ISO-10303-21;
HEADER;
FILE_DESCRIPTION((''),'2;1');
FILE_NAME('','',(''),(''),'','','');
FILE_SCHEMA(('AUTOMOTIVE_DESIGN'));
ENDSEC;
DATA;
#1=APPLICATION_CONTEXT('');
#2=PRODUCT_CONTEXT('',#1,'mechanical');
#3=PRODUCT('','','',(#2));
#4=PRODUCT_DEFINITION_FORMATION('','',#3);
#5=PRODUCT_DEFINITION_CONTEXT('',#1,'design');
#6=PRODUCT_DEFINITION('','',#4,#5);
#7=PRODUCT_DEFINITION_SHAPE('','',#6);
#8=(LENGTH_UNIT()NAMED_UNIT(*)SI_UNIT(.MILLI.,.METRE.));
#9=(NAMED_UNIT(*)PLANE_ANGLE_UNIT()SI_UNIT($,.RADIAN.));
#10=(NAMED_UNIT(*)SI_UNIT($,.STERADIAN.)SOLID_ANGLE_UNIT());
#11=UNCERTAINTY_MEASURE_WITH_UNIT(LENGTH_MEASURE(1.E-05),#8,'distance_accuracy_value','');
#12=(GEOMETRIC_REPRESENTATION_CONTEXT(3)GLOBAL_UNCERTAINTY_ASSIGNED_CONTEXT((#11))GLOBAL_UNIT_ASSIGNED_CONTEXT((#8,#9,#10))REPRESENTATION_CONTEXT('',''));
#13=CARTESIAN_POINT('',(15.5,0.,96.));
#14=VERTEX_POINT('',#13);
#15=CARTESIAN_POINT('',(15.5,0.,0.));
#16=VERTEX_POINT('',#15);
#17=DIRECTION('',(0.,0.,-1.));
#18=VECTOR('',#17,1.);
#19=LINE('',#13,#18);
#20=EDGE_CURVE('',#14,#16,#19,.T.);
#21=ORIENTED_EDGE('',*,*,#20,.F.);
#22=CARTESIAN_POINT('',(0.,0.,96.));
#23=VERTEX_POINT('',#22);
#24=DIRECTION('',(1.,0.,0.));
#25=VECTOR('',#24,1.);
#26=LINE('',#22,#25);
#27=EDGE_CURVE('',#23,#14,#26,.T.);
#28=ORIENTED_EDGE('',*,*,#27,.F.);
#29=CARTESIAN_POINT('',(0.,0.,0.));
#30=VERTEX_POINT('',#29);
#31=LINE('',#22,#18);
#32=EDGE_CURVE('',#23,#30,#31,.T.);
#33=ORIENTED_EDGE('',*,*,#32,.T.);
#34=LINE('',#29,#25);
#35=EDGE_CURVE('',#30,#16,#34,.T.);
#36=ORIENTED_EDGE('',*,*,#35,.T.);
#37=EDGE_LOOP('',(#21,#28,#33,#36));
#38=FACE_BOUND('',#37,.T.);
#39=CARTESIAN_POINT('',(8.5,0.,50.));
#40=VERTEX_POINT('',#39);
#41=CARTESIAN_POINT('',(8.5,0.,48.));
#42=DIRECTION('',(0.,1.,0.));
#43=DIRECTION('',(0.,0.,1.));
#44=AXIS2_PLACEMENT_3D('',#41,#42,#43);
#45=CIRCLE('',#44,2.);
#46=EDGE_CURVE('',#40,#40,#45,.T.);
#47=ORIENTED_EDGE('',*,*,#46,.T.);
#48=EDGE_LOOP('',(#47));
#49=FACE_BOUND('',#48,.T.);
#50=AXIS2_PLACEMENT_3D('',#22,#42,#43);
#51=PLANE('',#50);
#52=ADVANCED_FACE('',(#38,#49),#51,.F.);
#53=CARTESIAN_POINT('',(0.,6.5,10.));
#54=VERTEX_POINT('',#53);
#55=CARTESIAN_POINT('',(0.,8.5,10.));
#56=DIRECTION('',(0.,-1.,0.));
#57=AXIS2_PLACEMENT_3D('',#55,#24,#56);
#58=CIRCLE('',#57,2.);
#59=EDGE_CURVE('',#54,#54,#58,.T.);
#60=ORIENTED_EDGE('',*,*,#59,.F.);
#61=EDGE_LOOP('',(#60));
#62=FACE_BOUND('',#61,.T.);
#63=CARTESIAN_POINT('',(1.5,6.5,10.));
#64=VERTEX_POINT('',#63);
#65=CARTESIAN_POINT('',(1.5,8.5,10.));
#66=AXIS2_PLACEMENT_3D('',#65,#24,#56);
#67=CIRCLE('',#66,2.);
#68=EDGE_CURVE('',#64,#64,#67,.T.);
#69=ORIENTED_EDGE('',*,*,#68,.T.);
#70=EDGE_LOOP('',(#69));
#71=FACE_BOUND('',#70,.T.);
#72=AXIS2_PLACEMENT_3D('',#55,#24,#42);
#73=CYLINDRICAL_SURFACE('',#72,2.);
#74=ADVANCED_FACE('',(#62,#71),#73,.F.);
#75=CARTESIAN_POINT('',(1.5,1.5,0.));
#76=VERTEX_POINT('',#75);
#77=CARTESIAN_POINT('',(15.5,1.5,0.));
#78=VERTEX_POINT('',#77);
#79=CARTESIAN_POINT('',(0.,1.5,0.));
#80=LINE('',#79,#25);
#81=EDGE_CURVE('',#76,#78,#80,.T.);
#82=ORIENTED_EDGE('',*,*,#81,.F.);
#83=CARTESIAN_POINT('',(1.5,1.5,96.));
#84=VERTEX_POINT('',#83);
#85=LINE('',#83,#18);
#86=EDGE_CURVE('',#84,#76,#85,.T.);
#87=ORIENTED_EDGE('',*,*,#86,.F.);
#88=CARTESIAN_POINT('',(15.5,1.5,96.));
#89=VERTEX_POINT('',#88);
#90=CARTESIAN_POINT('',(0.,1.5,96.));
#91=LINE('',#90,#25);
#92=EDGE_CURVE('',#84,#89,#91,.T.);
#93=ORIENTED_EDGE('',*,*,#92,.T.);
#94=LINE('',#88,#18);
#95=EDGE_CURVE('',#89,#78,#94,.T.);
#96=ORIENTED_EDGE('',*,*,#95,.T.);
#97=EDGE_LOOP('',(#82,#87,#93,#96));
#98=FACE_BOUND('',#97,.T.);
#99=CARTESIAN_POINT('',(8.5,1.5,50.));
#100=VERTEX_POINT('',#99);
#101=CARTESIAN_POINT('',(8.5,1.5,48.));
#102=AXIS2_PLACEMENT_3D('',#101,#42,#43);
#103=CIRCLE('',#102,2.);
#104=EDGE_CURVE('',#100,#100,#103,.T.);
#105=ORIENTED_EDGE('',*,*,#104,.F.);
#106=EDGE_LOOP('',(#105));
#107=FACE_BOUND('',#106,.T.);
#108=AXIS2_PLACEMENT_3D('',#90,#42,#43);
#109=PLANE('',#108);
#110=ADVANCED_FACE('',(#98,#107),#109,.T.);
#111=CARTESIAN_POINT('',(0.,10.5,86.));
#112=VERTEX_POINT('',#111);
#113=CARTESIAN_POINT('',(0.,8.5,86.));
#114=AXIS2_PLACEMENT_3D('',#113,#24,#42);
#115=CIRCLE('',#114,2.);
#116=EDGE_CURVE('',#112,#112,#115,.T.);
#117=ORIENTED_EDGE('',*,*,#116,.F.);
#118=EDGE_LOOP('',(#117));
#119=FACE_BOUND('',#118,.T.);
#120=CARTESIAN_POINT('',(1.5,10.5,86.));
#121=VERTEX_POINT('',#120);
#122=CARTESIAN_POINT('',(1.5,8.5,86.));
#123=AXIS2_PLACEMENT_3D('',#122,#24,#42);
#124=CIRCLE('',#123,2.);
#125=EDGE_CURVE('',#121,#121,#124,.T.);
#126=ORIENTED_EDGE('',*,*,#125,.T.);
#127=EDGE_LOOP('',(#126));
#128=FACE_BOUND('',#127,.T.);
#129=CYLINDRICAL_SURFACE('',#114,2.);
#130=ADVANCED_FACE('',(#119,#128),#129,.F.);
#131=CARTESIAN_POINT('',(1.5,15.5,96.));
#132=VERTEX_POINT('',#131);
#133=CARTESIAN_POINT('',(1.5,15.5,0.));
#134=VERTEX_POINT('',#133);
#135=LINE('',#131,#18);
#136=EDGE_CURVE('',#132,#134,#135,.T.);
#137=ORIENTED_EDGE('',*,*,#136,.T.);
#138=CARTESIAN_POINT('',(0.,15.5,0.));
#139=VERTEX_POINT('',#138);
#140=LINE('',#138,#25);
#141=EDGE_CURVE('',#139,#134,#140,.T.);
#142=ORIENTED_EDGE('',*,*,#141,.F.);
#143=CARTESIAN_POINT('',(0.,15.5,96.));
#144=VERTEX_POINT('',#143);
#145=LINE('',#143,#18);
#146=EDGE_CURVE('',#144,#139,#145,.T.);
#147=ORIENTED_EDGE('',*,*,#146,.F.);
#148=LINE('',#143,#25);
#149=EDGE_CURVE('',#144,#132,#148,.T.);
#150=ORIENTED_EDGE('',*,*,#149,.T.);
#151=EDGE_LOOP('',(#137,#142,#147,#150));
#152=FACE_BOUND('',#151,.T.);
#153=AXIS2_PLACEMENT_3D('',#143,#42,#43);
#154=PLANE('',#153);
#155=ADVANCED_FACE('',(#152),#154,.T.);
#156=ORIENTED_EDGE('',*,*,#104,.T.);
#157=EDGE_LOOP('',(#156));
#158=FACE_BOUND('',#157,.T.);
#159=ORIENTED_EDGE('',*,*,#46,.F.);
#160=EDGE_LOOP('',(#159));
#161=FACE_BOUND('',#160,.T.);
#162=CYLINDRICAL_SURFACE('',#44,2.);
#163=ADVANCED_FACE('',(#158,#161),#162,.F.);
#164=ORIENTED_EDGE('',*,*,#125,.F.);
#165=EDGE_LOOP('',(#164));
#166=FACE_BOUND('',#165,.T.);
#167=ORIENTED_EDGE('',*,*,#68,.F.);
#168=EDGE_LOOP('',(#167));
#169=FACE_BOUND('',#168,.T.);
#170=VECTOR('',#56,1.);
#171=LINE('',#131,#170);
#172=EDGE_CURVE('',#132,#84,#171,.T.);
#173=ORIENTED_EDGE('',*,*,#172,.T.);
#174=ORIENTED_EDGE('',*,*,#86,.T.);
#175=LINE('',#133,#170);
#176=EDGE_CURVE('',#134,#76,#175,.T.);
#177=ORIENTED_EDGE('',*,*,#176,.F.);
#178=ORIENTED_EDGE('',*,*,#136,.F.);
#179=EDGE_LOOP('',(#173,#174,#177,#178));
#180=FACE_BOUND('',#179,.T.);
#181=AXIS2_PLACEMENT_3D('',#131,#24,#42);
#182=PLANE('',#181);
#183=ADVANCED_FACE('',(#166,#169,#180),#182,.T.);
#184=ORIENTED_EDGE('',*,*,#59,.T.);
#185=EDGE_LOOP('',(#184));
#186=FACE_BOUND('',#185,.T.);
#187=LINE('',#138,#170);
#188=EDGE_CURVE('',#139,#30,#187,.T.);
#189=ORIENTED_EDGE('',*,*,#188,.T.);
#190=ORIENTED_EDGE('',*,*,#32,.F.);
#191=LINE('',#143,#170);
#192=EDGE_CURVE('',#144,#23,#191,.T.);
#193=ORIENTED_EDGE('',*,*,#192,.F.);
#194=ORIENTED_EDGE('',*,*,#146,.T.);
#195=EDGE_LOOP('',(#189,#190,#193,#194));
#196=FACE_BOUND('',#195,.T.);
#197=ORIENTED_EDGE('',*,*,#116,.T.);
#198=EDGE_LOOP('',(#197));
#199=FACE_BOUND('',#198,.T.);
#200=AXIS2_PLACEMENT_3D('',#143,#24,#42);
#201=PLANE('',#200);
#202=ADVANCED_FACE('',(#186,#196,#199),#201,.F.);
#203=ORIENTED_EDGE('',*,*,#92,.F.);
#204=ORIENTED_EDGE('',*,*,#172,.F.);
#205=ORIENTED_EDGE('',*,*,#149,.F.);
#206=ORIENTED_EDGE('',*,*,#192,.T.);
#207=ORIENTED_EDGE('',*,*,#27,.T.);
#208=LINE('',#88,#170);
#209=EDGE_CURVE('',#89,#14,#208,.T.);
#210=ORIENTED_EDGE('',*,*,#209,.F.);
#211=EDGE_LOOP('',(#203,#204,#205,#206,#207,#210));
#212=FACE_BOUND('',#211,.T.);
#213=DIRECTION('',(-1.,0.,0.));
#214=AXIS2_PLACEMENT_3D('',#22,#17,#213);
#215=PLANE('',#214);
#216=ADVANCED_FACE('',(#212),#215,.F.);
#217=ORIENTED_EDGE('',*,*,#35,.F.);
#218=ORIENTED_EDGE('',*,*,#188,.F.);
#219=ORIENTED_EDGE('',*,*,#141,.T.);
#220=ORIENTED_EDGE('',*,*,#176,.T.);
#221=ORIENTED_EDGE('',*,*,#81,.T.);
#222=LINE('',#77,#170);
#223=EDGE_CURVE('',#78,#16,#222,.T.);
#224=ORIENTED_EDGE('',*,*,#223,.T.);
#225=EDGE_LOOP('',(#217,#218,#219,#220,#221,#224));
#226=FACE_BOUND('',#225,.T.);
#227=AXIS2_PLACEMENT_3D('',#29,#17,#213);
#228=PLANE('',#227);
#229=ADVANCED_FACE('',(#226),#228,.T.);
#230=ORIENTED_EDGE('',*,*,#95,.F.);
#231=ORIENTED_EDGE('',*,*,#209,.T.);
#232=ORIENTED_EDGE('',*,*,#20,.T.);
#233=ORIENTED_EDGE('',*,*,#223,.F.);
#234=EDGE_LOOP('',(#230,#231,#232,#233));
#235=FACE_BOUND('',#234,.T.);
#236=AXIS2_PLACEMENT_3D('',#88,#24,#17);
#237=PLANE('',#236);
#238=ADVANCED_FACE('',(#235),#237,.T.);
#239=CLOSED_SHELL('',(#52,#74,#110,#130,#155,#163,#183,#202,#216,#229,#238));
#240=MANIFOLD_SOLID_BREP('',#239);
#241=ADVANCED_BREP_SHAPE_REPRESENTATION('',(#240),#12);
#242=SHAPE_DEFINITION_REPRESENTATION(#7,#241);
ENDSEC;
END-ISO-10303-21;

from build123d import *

# Parameters (mm, degrees)
EXTRU_MINCE1_DEPTH      = 96
ESQUISSE2_R             = 2
ENL_V_MAT_EXTRU_1_DEPTH = 99.245865053
ESQUISSE3_R             = 2
ENL_V_MAT_EXTRU_2_DEPTH = 99.245865053


with BuildPart() as part:
    # Esquisse1 → Extru.-Mince1 (new body)
    with BuildSketch(Plane.XY):
        Polygon((0, 15.5), (0, 0), (15.5, 0), (15.5, 1.5), (1.5, 1.5), (1.5, 15.5), align=None)
    extrude(amount=EXTRU_MINCE1_DEPTH)

    # Esquisse2 → Enlèv. mat.-Extru.1 (cut, through all)
    with BuildSketch(Plane(origin=(1.5, 0, 0), x_dir=(0, 0, -1), z_dir=(1, 0, 0))):
        with Locations(Location((-86, 8.5, 0), (0, 0, 90))):
            Circle(ESQUISSE2_R)
        with Locations(Location((-10, 8.5, 0), (0, 0, 270))):
            Circle(ESQUISSE2_R)
    extrude(amount=-ENL_V_MAT_EXTRU_1_DEPTH, mode=Mode.SUBTRACT)

    # Esquisse3 → Enlèv. mat.-Extru.2 (cut, through all)
    with BuildSketch(Plane(origin=(0, 1.5, 0), x_dir=(1, 0, 0), z_dir=(0, 1, 0))):
        with Locations(Location((8.5, -48, 0), (0, 0, 270))):
            Circle(ESQUISSE3_R)
    extrude(amount=-ENL_V_MAT_EXTRU_2_DEPTH, mode=Mode.SUBTRACT)


solid = part.part
